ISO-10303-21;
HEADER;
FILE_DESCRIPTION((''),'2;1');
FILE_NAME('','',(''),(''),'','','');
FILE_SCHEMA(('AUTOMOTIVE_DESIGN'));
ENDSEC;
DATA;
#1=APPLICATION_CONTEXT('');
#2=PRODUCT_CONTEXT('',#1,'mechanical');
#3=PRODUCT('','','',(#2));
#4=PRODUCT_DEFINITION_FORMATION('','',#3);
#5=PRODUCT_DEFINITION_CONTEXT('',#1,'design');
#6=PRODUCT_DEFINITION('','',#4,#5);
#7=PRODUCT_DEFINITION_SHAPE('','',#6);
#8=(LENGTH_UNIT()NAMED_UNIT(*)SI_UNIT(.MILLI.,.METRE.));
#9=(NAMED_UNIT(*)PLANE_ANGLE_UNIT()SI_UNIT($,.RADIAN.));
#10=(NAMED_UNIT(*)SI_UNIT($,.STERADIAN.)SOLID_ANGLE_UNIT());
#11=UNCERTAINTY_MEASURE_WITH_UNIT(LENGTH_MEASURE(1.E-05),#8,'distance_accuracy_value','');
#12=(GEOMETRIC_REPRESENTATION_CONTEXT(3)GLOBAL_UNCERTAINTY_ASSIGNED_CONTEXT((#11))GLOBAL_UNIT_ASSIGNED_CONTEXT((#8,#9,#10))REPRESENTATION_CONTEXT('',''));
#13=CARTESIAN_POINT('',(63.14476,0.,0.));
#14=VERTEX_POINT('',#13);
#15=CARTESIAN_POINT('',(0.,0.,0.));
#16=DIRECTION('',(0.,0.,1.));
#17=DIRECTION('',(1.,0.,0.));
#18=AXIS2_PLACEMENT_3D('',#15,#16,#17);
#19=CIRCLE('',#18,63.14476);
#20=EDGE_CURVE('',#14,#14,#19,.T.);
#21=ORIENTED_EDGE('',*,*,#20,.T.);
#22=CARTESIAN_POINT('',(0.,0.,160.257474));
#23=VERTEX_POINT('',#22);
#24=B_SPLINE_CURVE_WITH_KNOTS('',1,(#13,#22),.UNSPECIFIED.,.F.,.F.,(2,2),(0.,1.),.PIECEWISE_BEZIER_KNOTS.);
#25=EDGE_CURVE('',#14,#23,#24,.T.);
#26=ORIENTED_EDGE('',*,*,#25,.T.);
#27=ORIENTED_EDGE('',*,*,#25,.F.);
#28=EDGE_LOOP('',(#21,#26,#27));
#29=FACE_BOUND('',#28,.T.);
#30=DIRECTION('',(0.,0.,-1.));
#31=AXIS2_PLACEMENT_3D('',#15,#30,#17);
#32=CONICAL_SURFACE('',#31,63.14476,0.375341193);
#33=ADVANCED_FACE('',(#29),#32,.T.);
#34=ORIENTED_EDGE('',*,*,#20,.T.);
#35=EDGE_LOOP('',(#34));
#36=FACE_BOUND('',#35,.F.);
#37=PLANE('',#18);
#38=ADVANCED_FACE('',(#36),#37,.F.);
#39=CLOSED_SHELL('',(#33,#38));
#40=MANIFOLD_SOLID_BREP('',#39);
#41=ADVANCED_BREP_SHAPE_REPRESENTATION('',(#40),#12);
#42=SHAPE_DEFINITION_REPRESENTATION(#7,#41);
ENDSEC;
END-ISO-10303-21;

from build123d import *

# Parameters (mm, degrees)
F0_R = 63.14476


with BuildPart() as f2:
    # F0 (on Top) → F2 section 0
    with BuildSketch(Plane.XY, mode=Mode.PRIVATE) as f2_s0:
        Circle(F0_R)
    loft([f2_s0.sketch, Vertex(0, 0, 160.257474)])


solid = f2.part
